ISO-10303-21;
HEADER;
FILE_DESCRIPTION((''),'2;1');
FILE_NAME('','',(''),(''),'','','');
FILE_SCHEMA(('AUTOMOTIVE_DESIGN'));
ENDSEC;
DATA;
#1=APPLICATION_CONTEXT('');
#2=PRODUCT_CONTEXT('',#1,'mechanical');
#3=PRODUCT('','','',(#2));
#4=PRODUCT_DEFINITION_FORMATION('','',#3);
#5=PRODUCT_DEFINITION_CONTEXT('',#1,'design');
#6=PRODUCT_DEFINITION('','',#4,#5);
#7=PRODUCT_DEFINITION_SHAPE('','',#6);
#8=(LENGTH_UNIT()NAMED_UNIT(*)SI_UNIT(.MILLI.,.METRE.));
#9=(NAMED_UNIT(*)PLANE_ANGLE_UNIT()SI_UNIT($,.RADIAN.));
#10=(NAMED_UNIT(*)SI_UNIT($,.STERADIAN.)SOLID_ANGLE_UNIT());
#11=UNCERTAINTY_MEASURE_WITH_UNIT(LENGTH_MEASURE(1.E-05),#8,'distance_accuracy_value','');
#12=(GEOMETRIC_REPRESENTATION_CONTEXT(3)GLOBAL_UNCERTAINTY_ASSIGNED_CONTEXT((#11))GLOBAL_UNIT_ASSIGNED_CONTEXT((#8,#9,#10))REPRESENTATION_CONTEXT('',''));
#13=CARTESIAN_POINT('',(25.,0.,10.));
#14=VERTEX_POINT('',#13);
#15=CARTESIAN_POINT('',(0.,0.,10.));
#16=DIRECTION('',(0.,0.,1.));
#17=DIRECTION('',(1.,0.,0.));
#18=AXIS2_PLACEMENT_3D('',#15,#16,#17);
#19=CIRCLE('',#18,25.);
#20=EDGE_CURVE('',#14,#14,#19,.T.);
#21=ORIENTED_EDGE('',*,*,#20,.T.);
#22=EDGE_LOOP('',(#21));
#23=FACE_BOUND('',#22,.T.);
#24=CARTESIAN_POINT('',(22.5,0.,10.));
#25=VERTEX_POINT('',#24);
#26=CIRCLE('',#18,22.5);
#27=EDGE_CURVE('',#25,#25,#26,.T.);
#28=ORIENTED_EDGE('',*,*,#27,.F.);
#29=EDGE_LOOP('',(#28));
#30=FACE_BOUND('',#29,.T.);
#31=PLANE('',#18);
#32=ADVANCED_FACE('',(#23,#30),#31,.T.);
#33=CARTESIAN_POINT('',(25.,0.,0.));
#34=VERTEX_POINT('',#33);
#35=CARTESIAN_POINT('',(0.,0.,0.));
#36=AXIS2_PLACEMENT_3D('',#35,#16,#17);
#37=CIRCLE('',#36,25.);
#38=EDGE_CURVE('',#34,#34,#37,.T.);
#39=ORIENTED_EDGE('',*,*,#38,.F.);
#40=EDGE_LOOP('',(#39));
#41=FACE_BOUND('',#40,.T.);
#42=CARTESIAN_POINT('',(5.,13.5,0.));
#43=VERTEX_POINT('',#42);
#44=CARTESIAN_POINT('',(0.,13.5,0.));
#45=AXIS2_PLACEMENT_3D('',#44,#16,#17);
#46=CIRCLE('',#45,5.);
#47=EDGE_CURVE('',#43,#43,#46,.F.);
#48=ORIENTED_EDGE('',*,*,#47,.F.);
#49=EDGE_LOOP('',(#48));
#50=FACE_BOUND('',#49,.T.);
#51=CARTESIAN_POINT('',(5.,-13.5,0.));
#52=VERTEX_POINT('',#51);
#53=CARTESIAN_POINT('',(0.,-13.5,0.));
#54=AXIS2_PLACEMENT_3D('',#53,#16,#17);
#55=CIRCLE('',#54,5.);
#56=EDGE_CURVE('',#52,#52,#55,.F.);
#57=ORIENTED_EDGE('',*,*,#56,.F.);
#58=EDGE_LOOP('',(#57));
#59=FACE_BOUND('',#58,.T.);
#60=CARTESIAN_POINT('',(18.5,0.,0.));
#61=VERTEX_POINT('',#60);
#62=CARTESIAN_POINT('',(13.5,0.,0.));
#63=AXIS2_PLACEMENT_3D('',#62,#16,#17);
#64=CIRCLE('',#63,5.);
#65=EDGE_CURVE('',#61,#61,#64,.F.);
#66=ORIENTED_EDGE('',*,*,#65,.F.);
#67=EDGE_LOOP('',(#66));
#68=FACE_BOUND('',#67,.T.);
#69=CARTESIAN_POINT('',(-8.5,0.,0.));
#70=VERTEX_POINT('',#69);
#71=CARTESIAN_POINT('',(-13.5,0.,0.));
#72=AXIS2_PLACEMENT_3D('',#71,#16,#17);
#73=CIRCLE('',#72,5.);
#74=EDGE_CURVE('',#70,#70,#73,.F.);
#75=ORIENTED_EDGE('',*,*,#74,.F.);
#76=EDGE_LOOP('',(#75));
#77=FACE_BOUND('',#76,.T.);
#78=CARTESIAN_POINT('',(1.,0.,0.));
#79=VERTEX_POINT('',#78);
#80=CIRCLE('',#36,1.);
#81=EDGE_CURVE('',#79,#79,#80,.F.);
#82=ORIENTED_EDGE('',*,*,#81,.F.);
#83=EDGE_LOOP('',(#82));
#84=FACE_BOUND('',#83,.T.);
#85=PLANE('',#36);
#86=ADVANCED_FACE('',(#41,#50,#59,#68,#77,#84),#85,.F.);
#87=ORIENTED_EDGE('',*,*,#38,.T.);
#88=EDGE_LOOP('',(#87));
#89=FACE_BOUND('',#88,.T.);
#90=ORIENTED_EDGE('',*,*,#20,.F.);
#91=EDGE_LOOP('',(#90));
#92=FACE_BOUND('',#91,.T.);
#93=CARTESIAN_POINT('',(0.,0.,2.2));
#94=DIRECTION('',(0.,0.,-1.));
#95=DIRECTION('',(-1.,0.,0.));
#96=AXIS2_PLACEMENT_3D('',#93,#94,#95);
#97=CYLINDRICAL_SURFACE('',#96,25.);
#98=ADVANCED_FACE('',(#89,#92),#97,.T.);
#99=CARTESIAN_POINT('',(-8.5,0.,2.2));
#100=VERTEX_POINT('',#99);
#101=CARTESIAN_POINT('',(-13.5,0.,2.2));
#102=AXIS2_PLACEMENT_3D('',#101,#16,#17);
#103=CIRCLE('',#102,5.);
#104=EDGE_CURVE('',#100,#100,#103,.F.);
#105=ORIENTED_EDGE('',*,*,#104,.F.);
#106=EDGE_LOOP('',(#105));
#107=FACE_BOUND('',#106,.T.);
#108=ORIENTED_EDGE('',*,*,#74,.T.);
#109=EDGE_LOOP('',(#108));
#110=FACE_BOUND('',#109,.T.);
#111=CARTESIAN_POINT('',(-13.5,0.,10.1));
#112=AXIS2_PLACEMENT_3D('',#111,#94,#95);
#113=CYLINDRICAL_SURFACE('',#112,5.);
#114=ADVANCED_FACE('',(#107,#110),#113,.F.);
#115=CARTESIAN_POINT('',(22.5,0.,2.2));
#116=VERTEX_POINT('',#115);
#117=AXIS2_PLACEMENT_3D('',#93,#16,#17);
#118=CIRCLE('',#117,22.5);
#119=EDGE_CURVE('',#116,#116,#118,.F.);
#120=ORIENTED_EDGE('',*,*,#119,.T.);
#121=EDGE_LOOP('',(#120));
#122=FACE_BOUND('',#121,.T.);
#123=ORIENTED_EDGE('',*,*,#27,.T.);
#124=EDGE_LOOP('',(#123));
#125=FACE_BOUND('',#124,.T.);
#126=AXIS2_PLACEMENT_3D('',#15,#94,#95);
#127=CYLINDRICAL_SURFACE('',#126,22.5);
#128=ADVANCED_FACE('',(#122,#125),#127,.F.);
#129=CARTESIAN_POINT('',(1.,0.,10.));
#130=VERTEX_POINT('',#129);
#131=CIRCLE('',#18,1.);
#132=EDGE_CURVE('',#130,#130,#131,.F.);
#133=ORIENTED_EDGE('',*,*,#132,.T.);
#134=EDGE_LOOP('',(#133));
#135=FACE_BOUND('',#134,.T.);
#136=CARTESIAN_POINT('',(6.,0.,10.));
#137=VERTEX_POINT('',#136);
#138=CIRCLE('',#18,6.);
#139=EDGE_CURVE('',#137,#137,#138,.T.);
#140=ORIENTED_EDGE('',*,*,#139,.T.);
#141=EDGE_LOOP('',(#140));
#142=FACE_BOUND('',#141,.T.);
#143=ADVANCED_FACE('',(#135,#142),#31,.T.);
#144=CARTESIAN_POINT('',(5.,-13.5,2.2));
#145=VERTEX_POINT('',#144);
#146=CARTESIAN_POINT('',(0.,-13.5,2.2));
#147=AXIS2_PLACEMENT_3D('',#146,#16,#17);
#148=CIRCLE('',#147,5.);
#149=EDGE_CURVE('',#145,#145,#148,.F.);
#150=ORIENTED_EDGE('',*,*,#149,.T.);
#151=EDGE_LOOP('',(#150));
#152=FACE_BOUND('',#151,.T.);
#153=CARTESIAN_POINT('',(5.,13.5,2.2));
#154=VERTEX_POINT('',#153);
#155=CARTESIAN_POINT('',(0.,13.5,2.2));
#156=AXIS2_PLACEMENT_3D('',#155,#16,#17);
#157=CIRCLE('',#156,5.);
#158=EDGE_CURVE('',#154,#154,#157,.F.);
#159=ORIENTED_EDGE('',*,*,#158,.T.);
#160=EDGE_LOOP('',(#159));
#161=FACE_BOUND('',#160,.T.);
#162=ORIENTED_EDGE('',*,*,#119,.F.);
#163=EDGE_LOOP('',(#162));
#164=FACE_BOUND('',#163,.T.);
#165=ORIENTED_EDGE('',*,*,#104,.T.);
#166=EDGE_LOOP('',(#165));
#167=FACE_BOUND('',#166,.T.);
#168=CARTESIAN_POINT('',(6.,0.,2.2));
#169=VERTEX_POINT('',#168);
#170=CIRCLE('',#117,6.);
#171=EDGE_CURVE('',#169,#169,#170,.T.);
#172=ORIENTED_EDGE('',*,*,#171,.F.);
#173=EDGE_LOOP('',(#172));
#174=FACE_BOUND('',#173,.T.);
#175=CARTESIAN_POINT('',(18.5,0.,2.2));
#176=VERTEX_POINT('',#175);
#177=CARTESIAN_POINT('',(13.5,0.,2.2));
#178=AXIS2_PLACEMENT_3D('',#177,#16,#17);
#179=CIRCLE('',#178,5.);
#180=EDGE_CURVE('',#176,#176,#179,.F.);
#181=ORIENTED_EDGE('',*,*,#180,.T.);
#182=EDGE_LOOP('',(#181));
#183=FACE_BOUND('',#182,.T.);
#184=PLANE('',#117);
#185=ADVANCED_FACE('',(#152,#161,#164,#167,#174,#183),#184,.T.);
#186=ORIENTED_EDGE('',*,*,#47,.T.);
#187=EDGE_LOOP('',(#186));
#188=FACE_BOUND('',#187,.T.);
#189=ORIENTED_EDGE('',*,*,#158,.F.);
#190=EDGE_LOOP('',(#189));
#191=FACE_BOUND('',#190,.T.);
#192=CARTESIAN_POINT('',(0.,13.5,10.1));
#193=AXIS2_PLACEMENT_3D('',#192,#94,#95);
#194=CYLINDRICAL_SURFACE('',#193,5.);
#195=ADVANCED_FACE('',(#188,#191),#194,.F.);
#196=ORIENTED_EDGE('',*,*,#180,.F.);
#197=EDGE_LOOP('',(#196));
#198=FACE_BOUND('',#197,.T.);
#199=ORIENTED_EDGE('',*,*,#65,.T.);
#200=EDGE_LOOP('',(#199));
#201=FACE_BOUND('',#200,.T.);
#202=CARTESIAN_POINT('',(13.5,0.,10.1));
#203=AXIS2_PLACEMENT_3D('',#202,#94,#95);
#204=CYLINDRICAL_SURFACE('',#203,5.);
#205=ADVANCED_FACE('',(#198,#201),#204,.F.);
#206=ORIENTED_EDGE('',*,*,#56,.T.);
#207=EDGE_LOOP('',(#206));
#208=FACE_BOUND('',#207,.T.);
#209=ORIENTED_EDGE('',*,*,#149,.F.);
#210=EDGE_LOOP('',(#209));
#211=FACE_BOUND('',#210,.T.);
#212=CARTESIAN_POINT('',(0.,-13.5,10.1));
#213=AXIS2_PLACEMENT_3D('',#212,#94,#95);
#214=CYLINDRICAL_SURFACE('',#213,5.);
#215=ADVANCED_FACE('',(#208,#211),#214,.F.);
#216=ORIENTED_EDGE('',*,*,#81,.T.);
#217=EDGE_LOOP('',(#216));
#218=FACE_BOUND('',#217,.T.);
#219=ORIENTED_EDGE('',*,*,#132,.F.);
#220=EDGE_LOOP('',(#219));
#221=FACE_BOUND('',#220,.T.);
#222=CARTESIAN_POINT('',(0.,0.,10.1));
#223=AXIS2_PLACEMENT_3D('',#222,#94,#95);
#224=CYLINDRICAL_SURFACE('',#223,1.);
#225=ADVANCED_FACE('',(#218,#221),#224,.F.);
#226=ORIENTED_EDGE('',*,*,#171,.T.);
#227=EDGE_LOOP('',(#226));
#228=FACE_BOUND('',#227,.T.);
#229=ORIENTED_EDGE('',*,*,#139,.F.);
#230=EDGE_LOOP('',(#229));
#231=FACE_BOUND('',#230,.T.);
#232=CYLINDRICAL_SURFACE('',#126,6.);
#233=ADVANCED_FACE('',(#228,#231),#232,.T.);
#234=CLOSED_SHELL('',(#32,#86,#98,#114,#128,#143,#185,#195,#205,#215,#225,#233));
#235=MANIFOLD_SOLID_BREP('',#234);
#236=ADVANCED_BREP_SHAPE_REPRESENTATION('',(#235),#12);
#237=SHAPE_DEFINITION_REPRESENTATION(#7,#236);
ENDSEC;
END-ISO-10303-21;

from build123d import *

# Parameters (mm, degrees)
SKETCH1_R                 = 25
WHEEL_WEB_50MM_DEPTH      = 2.2
OUTER_RIM_10MM_WIDE_START = 2.2
SKETCH2_R                 = 25
SKETCH2_R_2               = 22.5
OUTER_RIM_10MM_WIDE_DEPTH = 7.8
HUB_12MM_START            = 2.2
SKETCH3_R                 = 6
HUB_12MM_DEPTH            = 7.8
AXLE_BORE_FIT_CHECK_START = -0.1
SKETCH4_R                 = 1
AXLE_BORE_FIT_CHECK_DEPTH = 10.2
LIGHTENING_X_13_5_START   = -0.1
SKETCH5_R                 = 5
LIGHTENING_X_13_5_DEPTH   = 10.2
SKETCH6_R                 = 5
LIGHTENING_X_13_5_2_DEPTH = 10.2
LIGHTENING_Y_13_5_START   = -0.1
SKETCH7_R                 = 5
LIGHTENING_Y_13_5_DEPTH   = 10.2
SKETCH8_R                 = 5
LIGHTENING_Y_13_5_2_DEPTH = 10.2


with BuildPart() as part:
    # Sketch1 → Wheel_Web_50mm (new body)
    with BuildSketch(Plane.XY):
        Circle(SKETCH1_R)
    extrude(amount=WHEEL_WEB_50MM_DEPTH)

    # Sketch2 → Outer_Rim_10mm_Wide (add)
    with BuildSketch(Plane.XY.offset(OUTER_RIM_10MM_WIDE_START)):
        Circle(SKETCH2_R)
        Circle(SKETCH2_R_2, mode=Mode.SUBTRACT)
    extrude(amount=OUTER_RIM_10MM_WIDE_DEPTH)

    # Sketch3 → Hub_12mm (add)
    with BuildSketch(Plane.XY.offset(HUB_12MM_START)):
        Circle(SKETCH3_R)
    extrude(amount=HUB_12MM_DEPTH)

    # Sketch4 → Axle_Bore_FIT_CHECK (cut)
    with BuildSketch(Plane.XY.offset(AXLE_BORE_FIT_CHECK_START)):
        Circle(SKETCH4_R)
    extrude(amount=AXLE_BORE_FIT_CHECK_DEPTH, mode=Mode.SUBTRACT)

    # Sketch5 → Lightening_X_-13.5 (cut)
    with BuildSketch(Plane.XY.offset(LIGHTENING_X_13_5_START)):
        with Locations((-13.5, 0)):
            Circle(SKETCH5_R)
    extrude(amount=LIGHTENING_X_13_5_DEPTH, mode=Mode.SUBTRACT)

    # Sketch6 → Lightening_X_13.5 2 (cut)
    with BuildSketch(Plane.XY.offset(LIGHTENING_X_13_5_START)):
        with Locations((13.5, 0)):
            Circle(SKETCH6_R)
    extrude(amount=LIGHTENING_X_13_5_2_DEPTH, mode=Mode.SUBTRACT)

    # Sketch7 → Lightening_Y_-13.5 (cut)
    with BuildSketch(Plane.XY.offset(LIGHTENING_Y_13_5_START)):
        with Locations((0, -13.5)):
            Circle(SKETCH7_R)
    extrude(amount=LIGHTENING_Y_13_5_DEPTH, mode=Mode.SUBTRACT)

    # Sketch8 → Lightening_Y_13.5 2 (cut)
    with BuildSketch(Plane.XY.offset(LIGHTENING_Y_13_5_START)):
        with Locations((0, 13.5)):
            Circle(SKETCH8_R)
    extrude(amount=LIGHTENING_Y_13_5_2_DEPTH, mode=Mode.SUBTRACT)


solid = part.part
